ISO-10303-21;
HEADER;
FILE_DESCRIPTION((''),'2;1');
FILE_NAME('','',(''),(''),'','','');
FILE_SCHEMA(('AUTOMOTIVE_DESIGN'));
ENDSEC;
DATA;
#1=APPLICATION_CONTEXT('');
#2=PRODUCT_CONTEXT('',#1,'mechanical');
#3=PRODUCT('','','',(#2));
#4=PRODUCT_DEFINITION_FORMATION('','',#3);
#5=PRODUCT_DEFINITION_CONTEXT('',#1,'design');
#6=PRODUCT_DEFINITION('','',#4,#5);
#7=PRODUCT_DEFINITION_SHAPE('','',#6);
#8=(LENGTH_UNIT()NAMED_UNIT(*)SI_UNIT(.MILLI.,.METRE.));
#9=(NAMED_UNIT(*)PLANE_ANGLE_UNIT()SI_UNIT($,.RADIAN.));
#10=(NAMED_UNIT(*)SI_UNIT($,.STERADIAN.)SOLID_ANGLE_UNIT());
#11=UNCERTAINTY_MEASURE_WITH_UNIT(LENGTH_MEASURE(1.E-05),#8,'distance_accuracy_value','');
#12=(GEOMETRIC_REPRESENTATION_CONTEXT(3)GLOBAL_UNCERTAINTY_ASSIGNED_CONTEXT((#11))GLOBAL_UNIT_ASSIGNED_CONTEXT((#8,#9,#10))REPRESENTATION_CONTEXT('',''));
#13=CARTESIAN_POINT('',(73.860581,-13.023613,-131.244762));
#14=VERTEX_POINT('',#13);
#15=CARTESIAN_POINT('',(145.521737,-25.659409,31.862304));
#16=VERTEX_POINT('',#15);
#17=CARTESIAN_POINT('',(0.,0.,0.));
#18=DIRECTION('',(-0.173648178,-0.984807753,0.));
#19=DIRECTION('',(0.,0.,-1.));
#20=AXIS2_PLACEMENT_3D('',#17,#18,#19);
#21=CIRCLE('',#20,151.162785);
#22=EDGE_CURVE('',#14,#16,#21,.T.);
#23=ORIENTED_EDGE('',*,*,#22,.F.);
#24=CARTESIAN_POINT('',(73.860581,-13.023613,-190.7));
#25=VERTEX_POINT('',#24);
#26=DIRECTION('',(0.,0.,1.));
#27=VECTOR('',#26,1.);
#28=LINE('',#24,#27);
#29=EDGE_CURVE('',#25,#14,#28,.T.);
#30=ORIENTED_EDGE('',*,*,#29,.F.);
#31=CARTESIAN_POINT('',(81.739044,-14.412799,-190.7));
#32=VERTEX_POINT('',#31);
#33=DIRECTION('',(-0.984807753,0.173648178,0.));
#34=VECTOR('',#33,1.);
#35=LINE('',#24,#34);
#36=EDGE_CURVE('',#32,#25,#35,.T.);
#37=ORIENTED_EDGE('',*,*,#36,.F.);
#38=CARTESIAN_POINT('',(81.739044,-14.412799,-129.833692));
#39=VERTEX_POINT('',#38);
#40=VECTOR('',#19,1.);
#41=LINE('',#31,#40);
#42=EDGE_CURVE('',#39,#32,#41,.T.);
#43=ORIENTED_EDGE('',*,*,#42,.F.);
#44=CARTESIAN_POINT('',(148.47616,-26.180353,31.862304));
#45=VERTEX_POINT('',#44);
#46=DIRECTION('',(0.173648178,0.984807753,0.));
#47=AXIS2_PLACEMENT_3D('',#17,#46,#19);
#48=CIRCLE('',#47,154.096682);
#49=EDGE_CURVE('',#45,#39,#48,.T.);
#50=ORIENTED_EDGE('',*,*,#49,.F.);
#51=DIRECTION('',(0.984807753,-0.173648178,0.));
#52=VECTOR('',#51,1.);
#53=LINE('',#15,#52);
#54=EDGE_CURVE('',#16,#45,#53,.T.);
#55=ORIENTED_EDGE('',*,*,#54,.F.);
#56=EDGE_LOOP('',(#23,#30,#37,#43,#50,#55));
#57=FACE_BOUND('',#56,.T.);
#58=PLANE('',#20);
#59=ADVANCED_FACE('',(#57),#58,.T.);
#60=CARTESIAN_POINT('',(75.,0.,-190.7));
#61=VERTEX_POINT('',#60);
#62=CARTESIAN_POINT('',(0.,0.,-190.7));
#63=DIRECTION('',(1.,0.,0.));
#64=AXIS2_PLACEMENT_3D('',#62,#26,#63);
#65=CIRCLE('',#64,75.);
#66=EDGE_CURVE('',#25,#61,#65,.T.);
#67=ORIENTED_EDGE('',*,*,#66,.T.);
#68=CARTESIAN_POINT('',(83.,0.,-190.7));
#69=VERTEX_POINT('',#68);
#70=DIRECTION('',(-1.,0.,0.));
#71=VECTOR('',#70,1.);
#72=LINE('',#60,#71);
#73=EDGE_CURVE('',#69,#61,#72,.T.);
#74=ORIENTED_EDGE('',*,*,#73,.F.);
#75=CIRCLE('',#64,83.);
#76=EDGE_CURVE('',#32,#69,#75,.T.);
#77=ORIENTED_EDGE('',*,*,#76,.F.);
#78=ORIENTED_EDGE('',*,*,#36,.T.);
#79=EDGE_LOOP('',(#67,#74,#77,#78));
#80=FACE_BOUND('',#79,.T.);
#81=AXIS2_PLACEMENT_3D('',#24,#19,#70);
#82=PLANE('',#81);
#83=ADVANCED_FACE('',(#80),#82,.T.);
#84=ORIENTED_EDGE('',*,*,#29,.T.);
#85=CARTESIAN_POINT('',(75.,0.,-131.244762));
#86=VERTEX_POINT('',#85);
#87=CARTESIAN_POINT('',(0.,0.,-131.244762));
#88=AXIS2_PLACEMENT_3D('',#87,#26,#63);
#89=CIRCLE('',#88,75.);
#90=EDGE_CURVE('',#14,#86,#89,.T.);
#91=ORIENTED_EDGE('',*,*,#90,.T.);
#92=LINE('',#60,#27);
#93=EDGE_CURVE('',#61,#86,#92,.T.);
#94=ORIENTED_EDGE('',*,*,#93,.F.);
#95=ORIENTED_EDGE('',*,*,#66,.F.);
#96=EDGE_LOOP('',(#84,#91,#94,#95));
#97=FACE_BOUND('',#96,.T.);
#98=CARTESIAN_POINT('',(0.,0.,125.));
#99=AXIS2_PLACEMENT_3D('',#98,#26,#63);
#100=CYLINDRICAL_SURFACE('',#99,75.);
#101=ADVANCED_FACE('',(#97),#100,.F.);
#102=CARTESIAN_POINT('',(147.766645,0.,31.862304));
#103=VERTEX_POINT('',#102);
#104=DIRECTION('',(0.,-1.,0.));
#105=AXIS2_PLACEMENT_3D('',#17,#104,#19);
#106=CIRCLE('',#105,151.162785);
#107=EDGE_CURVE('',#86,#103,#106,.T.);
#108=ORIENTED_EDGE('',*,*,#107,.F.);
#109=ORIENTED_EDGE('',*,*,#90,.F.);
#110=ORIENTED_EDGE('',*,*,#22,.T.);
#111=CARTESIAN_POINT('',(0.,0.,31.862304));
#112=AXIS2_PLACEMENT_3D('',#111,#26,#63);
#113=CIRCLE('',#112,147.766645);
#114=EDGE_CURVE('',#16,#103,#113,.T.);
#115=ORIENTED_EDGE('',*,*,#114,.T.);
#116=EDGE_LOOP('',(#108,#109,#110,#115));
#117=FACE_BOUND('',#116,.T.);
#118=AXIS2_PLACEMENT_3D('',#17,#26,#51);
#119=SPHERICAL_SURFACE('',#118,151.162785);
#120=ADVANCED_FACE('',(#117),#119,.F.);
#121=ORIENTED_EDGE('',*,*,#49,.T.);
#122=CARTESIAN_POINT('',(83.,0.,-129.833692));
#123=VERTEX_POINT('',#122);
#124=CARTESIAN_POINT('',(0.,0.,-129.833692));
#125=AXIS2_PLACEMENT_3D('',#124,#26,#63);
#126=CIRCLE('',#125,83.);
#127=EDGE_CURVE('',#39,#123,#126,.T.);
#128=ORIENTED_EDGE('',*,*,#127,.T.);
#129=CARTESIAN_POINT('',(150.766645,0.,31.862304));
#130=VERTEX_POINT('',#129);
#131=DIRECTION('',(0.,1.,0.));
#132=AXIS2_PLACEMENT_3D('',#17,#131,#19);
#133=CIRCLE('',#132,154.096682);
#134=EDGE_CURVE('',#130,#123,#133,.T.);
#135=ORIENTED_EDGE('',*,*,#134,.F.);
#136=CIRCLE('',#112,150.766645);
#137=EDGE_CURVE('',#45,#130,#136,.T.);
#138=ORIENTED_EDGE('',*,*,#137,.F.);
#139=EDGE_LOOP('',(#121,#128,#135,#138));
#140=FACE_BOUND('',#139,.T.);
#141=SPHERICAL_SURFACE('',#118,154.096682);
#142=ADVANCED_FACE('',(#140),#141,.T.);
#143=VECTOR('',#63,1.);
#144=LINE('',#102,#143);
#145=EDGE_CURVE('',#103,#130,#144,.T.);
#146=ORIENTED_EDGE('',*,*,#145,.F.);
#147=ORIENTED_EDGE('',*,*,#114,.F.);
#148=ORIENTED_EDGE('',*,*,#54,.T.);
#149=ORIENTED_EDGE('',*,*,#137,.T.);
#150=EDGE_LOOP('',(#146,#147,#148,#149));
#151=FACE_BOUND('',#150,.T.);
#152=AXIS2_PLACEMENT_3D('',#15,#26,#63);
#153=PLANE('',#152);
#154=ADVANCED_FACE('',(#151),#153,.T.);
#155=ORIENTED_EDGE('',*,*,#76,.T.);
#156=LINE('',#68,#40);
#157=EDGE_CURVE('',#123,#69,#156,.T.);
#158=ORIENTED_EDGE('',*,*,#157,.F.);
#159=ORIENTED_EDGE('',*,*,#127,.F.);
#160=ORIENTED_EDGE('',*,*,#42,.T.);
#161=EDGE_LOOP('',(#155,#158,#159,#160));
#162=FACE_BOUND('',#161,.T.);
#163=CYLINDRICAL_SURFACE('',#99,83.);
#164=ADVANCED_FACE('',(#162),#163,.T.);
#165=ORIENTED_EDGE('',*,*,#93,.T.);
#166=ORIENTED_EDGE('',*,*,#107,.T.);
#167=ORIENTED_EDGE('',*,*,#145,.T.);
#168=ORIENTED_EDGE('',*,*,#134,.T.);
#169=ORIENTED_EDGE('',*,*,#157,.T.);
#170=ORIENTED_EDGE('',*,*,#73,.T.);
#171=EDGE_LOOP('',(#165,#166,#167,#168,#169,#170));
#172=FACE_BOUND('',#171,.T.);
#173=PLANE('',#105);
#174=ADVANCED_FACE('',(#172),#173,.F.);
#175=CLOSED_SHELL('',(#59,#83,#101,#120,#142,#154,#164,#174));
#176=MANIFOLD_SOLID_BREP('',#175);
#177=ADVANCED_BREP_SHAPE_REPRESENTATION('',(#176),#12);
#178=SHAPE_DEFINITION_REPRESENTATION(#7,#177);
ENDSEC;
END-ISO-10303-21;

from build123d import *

# Parameters (mm, degrees)
REVOLVE1_ANGLE = 10


with BuildPart() as part:
    # Sketch1 → Revolve1 (revolve)
    with BuildSketch(Plane(origin=(0, 0, 0), x_dir=(1, 0, 0), z_dir=(0, 1, 0))):
        with BuildLine():
            Line((75, 190.7), (83, 190.7))
            Line((83, 190.7), (83, 129.833691726))
            ThreePointArc((83, 129.833691726), (142.120054058, 59.562385293), (150.766644537, -31.862303784))
            Line((150.766644537, -31.862303784), (147.766644537, -31.862303784))
            ThreePointArc((147.766644537, -31.862303784), (138.047901954, 61.587047389), (75, 131.244762334))
            Line((75, 131.244762334), (75, 190.7))
        make_face()
    revolve(axis=Axis((0, 0, 125), (0, 0, -1)), revolution_arc=REVOLVE1_ANGLE)


solid = part.part
